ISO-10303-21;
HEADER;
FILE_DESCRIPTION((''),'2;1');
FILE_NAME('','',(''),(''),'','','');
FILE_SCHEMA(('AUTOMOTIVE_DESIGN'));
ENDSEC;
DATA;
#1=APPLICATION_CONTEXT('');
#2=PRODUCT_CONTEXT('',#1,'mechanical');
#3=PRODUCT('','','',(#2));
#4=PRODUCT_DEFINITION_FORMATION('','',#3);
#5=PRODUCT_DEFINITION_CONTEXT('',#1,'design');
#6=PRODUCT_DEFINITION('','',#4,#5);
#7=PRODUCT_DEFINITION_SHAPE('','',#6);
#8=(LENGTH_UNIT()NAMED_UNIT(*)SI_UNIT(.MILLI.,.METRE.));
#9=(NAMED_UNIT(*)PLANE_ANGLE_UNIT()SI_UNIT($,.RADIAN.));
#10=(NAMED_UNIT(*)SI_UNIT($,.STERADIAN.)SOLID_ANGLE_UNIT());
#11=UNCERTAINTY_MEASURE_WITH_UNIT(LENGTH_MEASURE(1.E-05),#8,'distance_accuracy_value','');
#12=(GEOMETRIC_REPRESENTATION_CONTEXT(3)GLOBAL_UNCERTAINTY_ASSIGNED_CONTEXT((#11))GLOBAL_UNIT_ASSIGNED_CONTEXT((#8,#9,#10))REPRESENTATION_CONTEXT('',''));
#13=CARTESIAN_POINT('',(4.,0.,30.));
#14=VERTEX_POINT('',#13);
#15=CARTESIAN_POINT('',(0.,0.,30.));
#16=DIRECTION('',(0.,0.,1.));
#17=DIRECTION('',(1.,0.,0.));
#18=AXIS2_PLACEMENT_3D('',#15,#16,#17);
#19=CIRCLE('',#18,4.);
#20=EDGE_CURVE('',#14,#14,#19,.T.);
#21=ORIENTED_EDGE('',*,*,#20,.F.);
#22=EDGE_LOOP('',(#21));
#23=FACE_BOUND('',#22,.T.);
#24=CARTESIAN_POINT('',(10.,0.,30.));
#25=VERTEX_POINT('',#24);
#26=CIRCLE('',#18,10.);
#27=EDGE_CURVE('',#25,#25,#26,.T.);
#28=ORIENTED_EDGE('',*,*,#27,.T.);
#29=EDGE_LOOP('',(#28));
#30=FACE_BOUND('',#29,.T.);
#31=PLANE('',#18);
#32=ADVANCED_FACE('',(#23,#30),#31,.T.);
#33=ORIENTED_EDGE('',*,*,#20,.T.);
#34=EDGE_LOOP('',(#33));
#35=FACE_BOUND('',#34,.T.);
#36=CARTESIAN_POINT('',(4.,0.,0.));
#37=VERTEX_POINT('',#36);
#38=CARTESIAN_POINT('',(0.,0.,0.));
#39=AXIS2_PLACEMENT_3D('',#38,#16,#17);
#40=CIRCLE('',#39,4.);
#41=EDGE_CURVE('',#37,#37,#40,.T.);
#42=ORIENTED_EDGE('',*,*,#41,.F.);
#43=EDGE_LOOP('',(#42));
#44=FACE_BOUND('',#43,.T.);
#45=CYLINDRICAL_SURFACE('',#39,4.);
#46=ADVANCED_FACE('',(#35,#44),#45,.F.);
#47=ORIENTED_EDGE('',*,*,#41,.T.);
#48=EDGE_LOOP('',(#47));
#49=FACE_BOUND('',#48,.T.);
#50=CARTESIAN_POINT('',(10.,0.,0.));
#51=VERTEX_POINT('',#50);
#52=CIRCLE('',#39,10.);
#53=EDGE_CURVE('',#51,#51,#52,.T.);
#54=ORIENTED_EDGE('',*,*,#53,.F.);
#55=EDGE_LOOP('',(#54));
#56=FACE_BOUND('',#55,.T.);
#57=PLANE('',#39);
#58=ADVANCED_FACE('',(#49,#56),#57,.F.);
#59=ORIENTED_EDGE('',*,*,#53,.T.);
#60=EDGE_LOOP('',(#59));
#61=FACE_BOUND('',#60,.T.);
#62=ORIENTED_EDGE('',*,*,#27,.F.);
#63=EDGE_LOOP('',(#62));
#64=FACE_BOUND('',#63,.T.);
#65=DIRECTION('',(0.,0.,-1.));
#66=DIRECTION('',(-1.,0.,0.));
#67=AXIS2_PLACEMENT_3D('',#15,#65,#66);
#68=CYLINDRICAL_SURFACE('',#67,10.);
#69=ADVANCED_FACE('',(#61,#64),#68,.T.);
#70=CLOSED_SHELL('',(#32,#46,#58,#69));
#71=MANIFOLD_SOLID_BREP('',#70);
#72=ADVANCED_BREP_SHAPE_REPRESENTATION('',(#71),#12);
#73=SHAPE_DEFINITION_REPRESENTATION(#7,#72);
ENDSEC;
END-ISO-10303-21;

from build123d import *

# Parameters (mm, degrees)
SKETCH1_R           = 10
BOSS_EXTRUDE1_DEPTH = 30
SKETCH2_R           = 4
CUT_EXTRUDE1_DEPTH  = 30


with BuildPart() as part:
    # Sketch1 → Boss-Extrude1 (new body)
    with BuildSketch(Plane.XY):
        Circle(SKETCH1_R)
    extrude(amount=BOSS_EXTRUDE1_DEPTH)

    # Sketch2 → Cut-Extrude1 (cut)
    with BuildSketch(Plane.XY.offset(30)):
        Circle(SKETCH2_R)
    extrude(amount=-CUT_EXTRUDE1_DEPTH, mode=Mode.SUBTRACT)


solid = part.part
